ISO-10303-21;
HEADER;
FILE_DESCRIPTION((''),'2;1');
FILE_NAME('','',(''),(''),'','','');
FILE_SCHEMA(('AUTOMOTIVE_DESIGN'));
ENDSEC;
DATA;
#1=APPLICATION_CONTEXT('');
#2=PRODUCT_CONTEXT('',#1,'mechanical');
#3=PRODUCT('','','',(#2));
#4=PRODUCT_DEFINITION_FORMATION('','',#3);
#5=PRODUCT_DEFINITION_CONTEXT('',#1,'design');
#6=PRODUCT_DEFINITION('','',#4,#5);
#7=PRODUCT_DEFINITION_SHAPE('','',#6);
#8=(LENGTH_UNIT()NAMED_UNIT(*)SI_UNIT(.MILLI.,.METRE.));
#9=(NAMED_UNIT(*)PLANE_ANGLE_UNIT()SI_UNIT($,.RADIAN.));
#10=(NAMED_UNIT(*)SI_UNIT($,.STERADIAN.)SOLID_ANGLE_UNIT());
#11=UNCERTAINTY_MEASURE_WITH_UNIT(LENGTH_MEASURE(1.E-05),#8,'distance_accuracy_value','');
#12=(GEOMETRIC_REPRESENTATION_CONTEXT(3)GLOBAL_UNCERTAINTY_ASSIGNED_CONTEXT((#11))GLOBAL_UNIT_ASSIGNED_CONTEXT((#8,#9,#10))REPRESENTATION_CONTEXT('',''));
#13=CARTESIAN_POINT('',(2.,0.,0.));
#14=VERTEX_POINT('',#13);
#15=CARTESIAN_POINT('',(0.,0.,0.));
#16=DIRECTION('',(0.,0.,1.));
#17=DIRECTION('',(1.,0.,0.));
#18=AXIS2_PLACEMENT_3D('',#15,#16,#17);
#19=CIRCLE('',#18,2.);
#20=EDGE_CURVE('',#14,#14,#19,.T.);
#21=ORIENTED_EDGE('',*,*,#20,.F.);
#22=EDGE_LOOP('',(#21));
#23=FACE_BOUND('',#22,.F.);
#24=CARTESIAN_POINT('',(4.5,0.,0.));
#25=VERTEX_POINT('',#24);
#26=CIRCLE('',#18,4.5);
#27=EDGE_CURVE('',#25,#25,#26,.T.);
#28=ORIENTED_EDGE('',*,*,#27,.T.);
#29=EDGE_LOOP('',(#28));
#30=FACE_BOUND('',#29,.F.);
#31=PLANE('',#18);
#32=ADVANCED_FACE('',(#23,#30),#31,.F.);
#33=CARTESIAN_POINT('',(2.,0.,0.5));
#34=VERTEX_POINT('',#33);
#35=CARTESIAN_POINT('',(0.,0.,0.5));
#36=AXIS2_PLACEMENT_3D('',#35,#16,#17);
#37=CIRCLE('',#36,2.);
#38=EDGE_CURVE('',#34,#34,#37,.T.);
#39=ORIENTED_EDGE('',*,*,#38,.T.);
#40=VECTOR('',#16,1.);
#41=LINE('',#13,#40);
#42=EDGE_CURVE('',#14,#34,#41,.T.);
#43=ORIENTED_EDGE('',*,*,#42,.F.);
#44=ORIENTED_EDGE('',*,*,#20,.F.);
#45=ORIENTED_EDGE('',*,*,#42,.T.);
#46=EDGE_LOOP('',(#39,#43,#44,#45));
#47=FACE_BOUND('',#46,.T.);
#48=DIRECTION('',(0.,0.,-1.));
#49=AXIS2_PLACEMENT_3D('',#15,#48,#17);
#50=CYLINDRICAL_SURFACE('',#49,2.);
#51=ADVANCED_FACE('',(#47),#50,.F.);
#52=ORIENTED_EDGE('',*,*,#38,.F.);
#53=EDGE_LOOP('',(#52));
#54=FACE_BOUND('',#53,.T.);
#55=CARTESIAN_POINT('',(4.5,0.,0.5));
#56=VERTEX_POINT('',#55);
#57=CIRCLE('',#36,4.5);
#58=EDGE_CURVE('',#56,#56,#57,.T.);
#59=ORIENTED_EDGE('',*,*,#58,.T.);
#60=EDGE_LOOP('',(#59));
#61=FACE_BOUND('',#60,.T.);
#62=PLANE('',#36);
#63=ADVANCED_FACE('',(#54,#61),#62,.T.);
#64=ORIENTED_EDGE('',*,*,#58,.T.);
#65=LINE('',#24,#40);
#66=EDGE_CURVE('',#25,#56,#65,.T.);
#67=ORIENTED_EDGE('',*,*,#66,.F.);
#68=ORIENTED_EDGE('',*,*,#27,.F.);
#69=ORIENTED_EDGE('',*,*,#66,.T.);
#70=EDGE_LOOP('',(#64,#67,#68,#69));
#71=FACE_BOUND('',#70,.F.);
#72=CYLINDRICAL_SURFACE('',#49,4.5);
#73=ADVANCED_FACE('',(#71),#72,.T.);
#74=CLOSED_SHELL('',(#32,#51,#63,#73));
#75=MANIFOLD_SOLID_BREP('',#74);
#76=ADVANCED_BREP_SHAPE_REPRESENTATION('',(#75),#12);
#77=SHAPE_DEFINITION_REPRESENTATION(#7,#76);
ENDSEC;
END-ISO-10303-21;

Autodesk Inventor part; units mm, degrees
ref_plane "YZ Plane" through (0, 0, 0) normal (1, 0, 0) x (0, 1, 0)
ref_plane "XZ Plane" through (0, 0, 0) normal (0, 1, 0) x (-1, 0, 0)
ref_plane "XY Plane" through (0, 0, 0) normal (0, 0, 1) x (1, 0, 0)
sketch "Sketch1" plane through (0, 0, 0) normal (0, 0, 1) x (1, 0, 0)
  circle A0 centre (0, 0) radius 2
  circle A1 centre (0, 0) radius 4.5
  dimension "d0" = 4
  dimension "d1" = 9
extrude "Extrusion1" add sketch "Sketch1" along normal blind 0.5
properties part number "washer"
